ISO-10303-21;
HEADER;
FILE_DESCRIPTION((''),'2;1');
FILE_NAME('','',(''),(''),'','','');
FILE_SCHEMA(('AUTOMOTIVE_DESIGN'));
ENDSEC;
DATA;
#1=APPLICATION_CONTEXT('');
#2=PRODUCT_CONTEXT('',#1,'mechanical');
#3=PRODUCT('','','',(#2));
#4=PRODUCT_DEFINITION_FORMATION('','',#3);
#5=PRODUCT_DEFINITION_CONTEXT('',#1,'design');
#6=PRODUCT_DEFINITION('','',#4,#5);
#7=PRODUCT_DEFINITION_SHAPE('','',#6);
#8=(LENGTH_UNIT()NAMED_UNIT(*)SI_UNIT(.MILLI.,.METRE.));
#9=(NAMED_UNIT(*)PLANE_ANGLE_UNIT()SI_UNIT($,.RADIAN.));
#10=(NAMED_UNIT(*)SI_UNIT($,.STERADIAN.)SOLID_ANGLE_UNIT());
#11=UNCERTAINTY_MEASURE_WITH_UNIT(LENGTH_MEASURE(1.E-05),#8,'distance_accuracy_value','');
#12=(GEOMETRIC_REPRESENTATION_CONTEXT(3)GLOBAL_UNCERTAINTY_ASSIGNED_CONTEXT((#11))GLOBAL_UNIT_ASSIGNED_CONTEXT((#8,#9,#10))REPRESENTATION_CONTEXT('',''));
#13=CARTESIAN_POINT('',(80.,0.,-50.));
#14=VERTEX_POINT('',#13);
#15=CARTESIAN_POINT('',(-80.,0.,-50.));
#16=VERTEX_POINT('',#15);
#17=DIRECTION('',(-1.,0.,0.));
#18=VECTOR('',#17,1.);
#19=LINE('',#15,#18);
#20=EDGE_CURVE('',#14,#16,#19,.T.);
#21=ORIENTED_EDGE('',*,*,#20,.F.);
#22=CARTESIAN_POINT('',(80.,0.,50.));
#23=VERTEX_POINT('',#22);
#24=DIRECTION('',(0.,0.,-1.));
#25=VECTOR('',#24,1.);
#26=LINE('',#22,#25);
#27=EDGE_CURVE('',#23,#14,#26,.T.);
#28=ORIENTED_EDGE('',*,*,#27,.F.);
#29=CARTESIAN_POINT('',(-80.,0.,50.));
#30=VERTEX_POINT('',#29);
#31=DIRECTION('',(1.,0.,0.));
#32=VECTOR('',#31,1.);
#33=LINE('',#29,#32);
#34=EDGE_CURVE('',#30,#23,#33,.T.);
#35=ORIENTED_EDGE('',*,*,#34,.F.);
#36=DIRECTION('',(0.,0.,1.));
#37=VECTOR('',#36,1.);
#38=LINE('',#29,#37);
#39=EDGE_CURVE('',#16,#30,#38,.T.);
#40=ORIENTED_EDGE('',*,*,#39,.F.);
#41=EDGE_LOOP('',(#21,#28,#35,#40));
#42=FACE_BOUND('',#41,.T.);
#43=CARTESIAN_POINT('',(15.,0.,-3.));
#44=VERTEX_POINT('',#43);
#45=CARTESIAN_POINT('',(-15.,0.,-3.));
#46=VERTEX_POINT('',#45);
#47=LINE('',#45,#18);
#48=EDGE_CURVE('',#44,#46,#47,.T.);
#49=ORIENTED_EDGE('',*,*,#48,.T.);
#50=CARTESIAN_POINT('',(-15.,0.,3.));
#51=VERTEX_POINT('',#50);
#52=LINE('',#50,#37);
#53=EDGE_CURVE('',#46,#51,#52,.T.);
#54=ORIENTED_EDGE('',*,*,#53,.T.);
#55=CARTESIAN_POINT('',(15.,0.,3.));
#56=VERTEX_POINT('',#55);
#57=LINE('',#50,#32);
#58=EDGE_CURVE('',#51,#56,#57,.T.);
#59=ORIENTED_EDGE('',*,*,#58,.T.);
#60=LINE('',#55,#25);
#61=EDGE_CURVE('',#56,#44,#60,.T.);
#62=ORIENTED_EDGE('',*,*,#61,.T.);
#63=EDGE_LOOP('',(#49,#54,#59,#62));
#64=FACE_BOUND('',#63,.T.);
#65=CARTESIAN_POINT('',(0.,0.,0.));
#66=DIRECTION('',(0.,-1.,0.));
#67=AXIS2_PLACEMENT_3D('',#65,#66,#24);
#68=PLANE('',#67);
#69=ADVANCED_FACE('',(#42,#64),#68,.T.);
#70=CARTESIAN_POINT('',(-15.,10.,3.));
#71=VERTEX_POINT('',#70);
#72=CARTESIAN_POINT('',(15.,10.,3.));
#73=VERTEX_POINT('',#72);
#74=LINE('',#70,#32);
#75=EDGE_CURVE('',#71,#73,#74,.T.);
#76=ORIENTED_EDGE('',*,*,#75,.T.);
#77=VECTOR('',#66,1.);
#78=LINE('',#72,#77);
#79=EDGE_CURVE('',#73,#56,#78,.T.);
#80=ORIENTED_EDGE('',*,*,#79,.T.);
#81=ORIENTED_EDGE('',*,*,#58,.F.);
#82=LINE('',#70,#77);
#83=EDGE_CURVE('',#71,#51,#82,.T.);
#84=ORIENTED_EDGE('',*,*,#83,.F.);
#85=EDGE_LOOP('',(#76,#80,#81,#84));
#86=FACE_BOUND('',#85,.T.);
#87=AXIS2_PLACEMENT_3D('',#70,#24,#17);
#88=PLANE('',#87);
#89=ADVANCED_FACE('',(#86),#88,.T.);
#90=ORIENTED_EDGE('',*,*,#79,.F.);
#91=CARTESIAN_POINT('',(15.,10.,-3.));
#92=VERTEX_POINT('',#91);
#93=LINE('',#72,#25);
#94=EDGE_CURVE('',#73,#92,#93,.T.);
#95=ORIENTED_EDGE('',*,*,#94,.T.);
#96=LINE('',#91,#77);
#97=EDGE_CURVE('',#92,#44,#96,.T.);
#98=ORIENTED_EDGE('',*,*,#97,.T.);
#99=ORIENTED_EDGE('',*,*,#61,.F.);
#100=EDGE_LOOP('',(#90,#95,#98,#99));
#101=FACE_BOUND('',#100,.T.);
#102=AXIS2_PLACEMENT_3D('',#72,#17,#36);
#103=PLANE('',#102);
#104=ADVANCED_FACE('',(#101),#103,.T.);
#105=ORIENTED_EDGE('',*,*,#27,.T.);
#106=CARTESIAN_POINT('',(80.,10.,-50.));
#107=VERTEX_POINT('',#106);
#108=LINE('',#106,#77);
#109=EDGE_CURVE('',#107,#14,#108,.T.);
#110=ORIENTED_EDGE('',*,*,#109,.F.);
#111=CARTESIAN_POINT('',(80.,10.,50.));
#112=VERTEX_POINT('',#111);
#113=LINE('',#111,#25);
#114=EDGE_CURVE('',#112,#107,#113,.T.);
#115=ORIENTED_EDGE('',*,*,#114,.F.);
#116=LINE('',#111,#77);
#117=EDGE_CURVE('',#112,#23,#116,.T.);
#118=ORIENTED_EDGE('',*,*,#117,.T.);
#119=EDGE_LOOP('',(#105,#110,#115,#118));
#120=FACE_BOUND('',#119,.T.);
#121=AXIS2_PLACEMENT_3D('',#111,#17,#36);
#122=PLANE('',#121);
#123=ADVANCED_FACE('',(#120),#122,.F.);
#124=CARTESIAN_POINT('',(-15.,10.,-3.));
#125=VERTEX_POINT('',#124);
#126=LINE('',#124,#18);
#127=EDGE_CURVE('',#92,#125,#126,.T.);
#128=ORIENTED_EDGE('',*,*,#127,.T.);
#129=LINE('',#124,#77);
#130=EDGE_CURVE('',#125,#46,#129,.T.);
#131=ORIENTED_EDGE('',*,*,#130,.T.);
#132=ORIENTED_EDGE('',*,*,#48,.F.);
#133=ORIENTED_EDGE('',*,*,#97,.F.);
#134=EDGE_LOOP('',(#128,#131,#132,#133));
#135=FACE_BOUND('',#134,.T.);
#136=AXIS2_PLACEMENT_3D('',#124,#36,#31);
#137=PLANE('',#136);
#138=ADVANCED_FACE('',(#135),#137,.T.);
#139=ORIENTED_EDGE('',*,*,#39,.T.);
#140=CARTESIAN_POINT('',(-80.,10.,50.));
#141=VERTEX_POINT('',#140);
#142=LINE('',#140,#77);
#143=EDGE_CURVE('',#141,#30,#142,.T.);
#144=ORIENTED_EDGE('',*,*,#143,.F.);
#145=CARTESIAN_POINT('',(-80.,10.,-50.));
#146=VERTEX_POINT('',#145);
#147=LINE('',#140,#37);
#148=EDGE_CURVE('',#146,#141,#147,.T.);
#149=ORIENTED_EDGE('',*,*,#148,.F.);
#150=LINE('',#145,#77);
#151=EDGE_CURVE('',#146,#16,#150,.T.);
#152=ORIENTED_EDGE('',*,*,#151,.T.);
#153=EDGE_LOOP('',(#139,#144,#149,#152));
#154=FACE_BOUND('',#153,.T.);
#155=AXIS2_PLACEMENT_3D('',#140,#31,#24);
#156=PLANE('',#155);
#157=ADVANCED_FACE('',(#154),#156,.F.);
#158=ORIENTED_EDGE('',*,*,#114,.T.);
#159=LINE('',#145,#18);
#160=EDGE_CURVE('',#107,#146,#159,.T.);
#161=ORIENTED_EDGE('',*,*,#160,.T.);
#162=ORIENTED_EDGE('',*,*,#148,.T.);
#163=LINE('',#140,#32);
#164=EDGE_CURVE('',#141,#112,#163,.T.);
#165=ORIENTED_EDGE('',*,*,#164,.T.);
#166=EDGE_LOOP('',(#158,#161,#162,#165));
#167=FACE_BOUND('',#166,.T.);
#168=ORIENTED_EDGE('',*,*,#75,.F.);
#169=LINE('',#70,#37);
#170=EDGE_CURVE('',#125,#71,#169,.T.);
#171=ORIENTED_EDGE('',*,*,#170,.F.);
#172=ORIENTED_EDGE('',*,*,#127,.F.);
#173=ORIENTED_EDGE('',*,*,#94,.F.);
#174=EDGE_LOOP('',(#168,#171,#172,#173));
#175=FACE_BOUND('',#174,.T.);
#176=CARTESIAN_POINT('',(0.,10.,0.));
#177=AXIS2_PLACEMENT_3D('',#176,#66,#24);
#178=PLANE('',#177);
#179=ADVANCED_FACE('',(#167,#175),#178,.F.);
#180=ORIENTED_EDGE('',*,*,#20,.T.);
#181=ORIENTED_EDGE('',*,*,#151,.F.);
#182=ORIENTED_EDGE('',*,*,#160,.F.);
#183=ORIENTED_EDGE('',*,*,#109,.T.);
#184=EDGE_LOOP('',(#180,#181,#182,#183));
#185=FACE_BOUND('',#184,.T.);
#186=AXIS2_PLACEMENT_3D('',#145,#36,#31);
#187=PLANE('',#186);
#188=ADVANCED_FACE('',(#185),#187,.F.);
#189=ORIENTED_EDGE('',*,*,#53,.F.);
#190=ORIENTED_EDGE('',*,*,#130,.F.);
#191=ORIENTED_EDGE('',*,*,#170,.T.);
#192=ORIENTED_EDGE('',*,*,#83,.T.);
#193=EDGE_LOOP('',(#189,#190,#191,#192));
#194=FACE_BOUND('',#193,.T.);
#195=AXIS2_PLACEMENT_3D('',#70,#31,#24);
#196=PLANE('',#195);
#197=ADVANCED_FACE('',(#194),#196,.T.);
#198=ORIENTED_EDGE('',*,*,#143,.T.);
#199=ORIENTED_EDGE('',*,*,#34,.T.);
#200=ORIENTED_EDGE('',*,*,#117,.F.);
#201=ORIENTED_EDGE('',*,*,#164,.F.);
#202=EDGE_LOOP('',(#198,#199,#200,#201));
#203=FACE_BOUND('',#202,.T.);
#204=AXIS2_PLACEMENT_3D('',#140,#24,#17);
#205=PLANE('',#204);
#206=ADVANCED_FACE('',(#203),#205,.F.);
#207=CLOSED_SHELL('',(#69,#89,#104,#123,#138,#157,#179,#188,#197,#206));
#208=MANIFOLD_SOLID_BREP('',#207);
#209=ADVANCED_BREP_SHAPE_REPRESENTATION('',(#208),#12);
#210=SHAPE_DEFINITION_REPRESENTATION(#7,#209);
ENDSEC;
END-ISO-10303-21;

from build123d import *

# Parameters (mm, degrees)
SKETCH_1_W      = 160
SKETCH_1_H      = 100
SKETCH_1_W_2    = 30
SKETCH_1_H_2    = 6
EXTRUDE_1_DEPTH = 10


with BuildPart() as part:
    # Эскиз1 → Бобышка-Вытянуть1 (new body)
    with BuildSketch(Plane(origin=(0, 0, 0), x_dir=(1, 0, 0), z_dir=(0, 1, 0))):
        Rectangle(SKETCH_1_W, SKETCH_1_H)
        Rectangle(SKETCH_1_W_2, SKETCH_1_H_2, mode=Mode.SUBTRACT)
    extrude(amount=EXTRUDE_1_DEPTH)


solid = part.part
